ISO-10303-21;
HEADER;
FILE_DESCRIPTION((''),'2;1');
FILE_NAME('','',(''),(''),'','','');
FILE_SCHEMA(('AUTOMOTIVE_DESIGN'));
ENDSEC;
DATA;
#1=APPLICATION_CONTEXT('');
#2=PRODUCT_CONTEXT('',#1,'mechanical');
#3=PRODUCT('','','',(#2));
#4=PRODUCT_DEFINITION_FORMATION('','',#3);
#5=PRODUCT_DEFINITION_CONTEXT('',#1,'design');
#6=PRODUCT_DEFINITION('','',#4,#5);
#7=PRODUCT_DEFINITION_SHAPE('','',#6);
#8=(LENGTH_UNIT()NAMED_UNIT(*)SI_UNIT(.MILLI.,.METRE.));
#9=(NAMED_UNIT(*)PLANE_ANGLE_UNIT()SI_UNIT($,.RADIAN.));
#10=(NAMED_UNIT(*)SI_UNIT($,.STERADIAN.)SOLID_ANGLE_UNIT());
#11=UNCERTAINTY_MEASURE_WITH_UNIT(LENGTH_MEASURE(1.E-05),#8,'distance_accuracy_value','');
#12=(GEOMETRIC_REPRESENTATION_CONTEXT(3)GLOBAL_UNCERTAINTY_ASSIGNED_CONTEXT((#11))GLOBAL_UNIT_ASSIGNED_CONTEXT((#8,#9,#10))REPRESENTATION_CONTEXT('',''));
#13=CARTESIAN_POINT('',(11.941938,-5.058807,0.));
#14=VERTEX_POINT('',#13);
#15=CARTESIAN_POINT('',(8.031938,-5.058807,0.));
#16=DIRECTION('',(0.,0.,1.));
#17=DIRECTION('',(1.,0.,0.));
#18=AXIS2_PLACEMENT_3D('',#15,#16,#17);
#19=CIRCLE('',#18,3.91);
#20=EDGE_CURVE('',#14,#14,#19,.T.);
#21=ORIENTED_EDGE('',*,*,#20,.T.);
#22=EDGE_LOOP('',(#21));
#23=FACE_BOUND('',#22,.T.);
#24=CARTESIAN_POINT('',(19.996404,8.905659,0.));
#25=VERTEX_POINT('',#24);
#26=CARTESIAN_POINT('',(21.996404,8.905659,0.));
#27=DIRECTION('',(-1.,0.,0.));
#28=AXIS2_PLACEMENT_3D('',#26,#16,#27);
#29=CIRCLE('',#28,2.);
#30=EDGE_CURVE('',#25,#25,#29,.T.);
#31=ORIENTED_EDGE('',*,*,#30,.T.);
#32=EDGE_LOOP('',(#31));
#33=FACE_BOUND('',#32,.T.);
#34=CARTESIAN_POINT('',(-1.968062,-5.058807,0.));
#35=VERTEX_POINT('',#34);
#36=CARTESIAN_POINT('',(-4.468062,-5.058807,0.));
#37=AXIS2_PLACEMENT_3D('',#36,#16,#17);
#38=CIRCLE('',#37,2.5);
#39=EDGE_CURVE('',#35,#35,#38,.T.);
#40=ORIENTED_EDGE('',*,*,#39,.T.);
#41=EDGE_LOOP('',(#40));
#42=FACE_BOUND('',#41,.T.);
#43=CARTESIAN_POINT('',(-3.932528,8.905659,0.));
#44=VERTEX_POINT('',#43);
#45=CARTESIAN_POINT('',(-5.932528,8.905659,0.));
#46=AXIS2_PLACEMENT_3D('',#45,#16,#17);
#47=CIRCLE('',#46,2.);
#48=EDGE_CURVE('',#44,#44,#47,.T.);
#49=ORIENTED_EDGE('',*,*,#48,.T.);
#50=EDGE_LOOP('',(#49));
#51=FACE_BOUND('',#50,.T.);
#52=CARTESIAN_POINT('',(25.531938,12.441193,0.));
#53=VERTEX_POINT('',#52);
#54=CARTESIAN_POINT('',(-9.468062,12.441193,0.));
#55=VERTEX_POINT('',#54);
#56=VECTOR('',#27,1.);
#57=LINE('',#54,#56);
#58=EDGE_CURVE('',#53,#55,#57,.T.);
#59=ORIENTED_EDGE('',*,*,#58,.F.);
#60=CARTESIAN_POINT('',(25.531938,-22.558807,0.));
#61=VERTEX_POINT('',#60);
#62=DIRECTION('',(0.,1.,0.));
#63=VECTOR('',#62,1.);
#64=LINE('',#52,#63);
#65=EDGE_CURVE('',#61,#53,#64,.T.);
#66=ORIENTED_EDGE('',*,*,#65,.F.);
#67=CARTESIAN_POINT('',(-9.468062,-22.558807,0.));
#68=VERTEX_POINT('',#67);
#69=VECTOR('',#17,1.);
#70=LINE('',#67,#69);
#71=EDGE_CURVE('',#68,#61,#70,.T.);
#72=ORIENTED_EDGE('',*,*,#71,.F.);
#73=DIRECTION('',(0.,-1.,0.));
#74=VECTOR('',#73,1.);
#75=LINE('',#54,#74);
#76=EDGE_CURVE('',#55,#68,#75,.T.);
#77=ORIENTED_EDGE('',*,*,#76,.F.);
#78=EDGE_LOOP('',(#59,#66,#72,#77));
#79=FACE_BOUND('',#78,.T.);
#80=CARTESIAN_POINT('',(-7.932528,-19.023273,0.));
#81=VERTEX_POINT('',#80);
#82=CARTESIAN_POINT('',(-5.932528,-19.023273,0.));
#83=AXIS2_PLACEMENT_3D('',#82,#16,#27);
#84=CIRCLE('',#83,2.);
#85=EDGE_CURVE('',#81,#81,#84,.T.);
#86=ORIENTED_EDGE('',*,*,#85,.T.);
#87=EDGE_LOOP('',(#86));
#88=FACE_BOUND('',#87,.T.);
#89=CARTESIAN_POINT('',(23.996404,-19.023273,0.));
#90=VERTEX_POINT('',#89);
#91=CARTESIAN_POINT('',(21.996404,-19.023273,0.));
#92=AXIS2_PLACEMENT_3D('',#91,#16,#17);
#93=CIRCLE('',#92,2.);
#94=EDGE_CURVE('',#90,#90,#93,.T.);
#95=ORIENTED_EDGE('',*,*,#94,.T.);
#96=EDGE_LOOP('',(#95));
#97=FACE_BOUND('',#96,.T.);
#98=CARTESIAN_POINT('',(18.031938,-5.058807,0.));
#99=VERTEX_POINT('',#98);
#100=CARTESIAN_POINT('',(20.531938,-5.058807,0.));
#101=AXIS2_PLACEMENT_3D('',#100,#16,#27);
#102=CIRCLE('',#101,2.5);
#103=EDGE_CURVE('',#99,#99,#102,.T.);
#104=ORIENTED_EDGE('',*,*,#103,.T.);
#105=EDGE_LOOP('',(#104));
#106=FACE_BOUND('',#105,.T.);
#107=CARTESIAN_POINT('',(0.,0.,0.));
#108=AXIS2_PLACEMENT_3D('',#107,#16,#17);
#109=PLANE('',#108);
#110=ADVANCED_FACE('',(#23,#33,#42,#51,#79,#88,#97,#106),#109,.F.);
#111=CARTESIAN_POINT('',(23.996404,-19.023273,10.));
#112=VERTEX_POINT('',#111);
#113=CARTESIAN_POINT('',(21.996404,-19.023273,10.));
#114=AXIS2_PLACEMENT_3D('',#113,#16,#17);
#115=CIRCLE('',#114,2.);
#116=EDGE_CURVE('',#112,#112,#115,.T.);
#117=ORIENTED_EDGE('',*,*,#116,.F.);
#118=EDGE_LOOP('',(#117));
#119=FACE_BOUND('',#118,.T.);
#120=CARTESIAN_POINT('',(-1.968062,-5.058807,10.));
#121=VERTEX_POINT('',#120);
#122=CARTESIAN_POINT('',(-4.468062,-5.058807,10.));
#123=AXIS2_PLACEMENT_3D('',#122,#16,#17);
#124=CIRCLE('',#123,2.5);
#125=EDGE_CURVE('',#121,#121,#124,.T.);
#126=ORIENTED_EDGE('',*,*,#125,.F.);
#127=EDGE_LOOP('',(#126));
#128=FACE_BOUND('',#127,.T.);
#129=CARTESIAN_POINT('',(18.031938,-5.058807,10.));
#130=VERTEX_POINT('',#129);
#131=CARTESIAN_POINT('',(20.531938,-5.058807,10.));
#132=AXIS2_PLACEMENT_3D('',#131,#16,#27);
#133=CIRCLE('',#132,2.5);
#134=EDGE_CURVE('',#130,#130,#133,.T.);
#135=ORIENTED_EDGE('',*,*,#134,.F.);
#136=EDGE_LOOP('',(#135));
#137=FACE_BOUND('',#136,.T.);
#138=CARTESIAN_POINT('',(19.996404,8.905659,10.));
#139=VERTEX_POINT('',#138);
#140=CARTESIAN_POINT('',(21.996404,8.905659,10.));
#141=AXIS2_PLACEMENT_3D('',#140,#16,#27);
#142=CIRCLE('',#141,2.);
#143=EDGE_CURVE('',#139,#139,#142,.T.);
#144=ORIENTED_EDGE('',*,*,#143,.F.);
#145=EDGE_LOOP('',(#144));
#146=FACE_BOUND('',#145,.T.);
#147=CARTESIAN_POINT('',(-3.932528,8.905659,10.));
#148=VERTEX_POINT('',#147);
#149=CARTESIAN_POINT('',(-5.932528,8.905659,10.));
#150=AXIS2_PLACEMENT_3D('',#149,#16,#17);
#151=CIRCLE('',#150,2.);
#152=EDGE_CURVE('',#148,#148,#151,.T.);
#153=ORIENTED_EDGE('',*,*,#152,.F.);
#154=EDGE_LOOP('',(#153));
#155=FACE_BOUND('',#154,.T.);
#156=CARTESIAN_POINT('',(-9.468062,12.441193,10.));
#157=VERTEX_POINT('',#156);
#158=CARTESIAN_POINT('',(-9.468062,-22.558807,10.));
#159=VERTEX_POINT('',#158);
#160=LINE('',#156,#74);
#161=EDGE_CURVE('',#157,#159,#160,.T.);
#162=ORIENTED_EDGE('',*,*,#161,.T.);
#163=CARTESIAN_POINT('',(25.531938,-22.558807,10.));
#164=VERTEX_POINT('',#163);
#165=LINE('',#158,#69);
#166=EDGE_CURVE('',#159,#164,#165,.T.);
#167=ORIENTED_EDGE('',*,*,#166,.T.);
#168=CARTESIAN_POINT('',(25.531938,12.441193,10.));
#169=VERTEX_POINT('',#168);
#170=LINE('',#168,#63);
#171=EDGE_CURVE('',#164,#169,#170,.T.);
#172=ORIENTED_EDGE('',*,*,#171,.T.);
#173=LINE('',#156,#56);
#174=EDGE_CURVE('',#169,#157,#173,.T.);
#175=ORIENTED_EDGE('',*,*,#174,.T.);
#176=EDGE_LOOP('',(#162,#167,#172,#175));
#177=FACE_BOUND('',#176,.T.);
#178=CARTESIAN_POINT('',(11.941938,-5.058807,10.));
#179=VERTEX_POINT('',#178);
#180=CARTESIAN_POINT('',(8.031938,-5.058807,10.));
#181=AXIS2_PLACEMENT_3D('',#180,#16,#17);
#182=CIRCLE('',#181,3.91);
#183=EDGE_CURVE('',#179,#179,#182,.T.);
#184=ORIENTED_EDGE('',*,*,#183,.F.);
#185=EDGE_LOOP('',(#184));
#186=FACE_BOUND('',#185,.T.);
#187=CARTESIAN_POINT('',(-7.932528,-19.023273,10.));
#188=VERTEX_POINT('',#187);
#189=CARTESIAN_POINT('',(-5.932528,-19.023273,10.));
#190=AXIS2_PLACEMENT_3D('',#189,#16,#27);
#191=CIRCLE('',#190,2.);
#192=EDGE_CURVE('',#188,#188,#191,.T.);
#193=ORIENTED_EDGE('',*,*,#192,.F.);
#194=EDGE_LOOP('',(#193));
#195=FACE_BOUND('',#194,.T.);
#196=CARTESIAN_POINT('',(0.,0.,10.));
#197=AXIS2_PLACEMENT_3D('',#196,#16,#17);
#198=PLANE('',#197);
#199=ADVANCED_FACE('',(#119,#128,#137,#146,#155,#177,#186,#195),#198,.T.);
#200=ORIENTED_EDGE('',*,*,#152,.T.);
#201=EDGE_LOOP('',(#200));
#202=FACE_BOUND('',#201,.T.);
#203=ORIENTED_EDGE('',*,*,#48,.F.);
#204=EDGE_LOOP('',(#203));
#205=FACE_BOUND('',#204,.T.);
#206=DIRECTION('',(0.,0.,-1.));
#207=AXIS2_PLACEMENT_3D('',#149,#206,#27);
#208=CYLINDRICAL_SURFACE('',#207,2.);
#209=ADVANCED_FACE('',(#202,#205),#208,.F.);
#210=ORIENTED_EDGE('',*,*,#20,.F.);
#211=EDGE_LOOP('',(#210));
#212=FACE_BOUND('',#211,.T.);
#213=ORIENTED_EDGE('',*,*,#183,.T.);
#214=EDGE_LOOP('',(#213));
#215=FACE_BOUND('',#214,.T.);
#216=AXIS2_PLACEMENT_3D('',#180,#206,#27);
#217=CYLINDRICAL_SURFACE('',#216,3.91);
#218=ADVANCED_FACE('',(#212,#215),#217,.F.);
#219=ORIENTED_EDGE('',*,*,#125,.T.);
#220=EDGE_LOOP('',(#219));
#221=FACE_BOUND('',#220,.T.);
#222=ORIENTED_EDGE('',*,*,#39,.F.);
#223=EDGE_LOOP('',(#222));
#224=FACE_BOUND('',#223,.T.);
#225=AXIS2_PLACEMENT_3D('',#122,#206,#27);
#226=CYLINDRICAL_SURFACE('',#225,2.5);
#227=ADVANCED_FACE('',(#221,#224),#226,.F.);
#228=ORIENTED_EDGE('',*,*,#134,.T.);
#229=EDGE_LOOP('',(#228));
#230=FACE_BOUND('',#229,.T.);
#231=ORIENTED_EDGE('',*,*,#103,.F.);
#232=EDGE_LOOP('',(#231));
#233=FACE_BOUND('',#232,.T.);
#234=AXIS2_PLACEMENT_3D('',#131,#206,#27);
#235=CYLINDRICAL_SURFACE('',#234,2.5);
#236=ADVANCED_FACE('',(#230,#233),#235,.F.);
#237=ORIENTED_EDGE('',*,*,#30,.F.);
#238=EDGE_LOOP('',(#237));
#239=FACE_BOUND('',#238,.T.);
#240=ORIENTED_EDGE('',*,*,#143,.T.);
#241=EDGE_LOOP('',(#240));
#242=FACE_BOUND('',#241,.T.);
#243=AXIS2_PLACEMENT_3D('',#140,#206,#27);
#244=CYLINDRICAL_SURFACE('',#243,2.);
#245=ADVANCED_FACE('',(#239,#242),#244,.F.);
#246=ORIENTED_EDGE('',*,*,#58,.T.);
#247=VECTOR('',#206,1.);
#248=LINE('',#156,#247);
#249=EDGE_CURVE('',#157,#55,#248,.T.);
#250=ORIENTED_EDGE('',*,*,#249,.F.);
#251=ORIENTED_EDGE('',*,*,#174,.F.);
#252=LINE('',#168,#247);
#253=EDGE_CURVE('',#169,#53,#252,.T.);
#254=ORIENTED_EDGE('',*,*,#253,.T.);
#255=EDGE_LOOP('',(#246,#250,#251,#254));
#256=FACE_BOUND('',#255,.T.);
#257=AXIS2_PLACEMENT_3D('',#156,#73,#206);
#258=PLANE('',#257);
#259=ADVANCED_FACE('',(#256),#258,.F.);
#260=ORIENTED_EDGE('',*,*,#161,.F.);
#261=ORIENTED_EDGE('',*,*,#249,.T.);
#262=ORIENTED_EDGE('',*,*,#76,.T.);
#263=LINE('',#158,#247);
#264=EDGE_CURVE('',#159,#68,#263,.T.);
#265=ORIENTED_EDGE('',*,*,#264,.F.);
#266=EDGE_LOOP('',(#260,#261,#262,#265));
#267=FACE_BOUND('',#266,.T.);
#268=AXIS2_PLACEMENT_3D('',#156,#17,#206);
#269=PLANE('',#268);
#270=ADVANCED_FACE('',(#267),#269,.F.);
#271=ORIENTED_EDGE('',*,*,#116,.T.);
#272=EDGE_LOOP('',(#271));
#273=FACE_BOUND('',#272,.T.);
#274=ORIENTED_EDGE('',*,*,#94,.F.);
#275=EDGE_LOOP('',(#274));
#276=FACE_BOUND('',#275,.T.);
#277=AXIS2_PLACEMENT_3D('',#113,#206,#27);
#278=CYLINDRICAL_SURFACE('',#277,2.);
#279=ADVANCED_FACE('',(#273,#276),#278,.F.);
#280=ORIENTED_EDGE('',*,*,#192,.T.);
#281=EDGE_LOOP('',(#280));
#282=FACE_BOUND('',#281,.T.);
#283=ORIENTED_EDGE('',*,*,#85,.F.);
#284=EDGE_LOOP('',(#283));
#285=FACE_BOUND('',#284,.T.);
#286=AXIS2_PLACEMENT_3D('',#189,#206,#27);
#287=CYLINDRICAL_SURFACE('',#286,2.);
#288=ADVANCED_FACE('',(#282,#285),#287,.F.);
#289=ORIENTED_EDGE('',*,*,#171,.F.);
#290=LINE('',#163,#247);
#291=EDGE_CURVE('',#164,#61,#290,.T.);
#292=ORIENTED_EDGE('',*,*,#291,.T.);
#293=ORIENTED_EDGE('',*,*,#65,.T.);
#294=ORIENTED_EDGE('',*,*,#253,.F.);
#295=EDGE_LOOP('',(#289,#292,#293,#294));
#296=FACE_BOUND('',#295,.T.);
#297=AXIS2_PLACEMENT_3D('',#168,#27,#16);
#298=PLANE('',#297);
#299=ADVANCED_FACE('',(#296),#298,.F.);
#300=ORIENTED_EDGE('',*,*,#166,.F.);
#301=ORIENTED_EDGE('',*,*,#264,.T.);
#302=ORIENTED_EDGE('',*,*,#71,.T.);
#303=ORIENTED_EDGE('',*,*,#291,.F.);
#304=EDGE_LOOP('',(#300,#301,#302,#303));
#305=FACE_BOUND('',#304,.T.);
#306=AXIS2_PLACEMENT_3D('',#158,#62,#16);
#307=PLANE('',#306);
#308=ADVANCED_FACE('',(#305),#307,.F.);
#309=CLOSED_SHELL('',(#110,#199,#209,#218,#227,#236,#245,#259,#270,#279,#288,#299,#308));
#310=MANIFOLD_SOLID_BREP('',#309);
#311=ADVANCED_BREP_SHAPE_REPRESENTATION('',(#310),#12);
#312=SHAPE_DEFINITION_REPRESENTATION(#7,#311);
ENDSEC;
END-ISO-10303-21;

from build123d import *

# Parameters (mm, degrees)
SKETCH1_W           = 35
SKETCH1_H           = 35
SKETCH1_R           = 3.91
SKETCH1_R_2         = 2
SKETCH1_R_3         = 2.5
BOSS_EXTRUDE1_DEPTH = 10


with BuildPart() as part:
    # Sketch1 → Boss-Extrude1 (new body)
    with BuildSketch(Plane.XY):
        with Locations((8.031937938, -5.058807352)):
            Rectangle(SKETCH1_W, SKETCH1_H)
        with Locations((8.031937938, -5.058807352)):
            Circle(SKETCH1_R, mode=Mode.SUBTRACT)
        with Locations((21.996404032, -19.023273446)):
            Circle(SKETCH1_R_2, mode=Mode.SUBTRACT)
        with Locations(Location((21.996404032, 8.905658742, 0), (0, 0, 180))):
            Circle(SKETCH1_R_2, mode=Mode.SUBTRACT)
        with Locations(Location((-5.932528156, -19.023273446, 0), (0, 0, 180))):
            Circle(SKETCH1_R_2, mode=Mode.SUBTRACT)
        with Locations((-5.932528156, 8.905658742)):
            Circle(SKETCH1_R_2, mode=Mode.SUBTRACT)
        with Locations((-4.468062062, -5.058807352)):
            Circle(SKETCH1_R_3, mode=Mode.SUBTRACT)
        with Locations(Location((20.531937938, -5.058807352, 0), (0, 0, 180))):
            Circle(SKETCH1_R_3, mode=Mode.SUBTRACT)
    extrude(amount=BOSS_EXTRUDE1_DEPTH)


solid = part.part
